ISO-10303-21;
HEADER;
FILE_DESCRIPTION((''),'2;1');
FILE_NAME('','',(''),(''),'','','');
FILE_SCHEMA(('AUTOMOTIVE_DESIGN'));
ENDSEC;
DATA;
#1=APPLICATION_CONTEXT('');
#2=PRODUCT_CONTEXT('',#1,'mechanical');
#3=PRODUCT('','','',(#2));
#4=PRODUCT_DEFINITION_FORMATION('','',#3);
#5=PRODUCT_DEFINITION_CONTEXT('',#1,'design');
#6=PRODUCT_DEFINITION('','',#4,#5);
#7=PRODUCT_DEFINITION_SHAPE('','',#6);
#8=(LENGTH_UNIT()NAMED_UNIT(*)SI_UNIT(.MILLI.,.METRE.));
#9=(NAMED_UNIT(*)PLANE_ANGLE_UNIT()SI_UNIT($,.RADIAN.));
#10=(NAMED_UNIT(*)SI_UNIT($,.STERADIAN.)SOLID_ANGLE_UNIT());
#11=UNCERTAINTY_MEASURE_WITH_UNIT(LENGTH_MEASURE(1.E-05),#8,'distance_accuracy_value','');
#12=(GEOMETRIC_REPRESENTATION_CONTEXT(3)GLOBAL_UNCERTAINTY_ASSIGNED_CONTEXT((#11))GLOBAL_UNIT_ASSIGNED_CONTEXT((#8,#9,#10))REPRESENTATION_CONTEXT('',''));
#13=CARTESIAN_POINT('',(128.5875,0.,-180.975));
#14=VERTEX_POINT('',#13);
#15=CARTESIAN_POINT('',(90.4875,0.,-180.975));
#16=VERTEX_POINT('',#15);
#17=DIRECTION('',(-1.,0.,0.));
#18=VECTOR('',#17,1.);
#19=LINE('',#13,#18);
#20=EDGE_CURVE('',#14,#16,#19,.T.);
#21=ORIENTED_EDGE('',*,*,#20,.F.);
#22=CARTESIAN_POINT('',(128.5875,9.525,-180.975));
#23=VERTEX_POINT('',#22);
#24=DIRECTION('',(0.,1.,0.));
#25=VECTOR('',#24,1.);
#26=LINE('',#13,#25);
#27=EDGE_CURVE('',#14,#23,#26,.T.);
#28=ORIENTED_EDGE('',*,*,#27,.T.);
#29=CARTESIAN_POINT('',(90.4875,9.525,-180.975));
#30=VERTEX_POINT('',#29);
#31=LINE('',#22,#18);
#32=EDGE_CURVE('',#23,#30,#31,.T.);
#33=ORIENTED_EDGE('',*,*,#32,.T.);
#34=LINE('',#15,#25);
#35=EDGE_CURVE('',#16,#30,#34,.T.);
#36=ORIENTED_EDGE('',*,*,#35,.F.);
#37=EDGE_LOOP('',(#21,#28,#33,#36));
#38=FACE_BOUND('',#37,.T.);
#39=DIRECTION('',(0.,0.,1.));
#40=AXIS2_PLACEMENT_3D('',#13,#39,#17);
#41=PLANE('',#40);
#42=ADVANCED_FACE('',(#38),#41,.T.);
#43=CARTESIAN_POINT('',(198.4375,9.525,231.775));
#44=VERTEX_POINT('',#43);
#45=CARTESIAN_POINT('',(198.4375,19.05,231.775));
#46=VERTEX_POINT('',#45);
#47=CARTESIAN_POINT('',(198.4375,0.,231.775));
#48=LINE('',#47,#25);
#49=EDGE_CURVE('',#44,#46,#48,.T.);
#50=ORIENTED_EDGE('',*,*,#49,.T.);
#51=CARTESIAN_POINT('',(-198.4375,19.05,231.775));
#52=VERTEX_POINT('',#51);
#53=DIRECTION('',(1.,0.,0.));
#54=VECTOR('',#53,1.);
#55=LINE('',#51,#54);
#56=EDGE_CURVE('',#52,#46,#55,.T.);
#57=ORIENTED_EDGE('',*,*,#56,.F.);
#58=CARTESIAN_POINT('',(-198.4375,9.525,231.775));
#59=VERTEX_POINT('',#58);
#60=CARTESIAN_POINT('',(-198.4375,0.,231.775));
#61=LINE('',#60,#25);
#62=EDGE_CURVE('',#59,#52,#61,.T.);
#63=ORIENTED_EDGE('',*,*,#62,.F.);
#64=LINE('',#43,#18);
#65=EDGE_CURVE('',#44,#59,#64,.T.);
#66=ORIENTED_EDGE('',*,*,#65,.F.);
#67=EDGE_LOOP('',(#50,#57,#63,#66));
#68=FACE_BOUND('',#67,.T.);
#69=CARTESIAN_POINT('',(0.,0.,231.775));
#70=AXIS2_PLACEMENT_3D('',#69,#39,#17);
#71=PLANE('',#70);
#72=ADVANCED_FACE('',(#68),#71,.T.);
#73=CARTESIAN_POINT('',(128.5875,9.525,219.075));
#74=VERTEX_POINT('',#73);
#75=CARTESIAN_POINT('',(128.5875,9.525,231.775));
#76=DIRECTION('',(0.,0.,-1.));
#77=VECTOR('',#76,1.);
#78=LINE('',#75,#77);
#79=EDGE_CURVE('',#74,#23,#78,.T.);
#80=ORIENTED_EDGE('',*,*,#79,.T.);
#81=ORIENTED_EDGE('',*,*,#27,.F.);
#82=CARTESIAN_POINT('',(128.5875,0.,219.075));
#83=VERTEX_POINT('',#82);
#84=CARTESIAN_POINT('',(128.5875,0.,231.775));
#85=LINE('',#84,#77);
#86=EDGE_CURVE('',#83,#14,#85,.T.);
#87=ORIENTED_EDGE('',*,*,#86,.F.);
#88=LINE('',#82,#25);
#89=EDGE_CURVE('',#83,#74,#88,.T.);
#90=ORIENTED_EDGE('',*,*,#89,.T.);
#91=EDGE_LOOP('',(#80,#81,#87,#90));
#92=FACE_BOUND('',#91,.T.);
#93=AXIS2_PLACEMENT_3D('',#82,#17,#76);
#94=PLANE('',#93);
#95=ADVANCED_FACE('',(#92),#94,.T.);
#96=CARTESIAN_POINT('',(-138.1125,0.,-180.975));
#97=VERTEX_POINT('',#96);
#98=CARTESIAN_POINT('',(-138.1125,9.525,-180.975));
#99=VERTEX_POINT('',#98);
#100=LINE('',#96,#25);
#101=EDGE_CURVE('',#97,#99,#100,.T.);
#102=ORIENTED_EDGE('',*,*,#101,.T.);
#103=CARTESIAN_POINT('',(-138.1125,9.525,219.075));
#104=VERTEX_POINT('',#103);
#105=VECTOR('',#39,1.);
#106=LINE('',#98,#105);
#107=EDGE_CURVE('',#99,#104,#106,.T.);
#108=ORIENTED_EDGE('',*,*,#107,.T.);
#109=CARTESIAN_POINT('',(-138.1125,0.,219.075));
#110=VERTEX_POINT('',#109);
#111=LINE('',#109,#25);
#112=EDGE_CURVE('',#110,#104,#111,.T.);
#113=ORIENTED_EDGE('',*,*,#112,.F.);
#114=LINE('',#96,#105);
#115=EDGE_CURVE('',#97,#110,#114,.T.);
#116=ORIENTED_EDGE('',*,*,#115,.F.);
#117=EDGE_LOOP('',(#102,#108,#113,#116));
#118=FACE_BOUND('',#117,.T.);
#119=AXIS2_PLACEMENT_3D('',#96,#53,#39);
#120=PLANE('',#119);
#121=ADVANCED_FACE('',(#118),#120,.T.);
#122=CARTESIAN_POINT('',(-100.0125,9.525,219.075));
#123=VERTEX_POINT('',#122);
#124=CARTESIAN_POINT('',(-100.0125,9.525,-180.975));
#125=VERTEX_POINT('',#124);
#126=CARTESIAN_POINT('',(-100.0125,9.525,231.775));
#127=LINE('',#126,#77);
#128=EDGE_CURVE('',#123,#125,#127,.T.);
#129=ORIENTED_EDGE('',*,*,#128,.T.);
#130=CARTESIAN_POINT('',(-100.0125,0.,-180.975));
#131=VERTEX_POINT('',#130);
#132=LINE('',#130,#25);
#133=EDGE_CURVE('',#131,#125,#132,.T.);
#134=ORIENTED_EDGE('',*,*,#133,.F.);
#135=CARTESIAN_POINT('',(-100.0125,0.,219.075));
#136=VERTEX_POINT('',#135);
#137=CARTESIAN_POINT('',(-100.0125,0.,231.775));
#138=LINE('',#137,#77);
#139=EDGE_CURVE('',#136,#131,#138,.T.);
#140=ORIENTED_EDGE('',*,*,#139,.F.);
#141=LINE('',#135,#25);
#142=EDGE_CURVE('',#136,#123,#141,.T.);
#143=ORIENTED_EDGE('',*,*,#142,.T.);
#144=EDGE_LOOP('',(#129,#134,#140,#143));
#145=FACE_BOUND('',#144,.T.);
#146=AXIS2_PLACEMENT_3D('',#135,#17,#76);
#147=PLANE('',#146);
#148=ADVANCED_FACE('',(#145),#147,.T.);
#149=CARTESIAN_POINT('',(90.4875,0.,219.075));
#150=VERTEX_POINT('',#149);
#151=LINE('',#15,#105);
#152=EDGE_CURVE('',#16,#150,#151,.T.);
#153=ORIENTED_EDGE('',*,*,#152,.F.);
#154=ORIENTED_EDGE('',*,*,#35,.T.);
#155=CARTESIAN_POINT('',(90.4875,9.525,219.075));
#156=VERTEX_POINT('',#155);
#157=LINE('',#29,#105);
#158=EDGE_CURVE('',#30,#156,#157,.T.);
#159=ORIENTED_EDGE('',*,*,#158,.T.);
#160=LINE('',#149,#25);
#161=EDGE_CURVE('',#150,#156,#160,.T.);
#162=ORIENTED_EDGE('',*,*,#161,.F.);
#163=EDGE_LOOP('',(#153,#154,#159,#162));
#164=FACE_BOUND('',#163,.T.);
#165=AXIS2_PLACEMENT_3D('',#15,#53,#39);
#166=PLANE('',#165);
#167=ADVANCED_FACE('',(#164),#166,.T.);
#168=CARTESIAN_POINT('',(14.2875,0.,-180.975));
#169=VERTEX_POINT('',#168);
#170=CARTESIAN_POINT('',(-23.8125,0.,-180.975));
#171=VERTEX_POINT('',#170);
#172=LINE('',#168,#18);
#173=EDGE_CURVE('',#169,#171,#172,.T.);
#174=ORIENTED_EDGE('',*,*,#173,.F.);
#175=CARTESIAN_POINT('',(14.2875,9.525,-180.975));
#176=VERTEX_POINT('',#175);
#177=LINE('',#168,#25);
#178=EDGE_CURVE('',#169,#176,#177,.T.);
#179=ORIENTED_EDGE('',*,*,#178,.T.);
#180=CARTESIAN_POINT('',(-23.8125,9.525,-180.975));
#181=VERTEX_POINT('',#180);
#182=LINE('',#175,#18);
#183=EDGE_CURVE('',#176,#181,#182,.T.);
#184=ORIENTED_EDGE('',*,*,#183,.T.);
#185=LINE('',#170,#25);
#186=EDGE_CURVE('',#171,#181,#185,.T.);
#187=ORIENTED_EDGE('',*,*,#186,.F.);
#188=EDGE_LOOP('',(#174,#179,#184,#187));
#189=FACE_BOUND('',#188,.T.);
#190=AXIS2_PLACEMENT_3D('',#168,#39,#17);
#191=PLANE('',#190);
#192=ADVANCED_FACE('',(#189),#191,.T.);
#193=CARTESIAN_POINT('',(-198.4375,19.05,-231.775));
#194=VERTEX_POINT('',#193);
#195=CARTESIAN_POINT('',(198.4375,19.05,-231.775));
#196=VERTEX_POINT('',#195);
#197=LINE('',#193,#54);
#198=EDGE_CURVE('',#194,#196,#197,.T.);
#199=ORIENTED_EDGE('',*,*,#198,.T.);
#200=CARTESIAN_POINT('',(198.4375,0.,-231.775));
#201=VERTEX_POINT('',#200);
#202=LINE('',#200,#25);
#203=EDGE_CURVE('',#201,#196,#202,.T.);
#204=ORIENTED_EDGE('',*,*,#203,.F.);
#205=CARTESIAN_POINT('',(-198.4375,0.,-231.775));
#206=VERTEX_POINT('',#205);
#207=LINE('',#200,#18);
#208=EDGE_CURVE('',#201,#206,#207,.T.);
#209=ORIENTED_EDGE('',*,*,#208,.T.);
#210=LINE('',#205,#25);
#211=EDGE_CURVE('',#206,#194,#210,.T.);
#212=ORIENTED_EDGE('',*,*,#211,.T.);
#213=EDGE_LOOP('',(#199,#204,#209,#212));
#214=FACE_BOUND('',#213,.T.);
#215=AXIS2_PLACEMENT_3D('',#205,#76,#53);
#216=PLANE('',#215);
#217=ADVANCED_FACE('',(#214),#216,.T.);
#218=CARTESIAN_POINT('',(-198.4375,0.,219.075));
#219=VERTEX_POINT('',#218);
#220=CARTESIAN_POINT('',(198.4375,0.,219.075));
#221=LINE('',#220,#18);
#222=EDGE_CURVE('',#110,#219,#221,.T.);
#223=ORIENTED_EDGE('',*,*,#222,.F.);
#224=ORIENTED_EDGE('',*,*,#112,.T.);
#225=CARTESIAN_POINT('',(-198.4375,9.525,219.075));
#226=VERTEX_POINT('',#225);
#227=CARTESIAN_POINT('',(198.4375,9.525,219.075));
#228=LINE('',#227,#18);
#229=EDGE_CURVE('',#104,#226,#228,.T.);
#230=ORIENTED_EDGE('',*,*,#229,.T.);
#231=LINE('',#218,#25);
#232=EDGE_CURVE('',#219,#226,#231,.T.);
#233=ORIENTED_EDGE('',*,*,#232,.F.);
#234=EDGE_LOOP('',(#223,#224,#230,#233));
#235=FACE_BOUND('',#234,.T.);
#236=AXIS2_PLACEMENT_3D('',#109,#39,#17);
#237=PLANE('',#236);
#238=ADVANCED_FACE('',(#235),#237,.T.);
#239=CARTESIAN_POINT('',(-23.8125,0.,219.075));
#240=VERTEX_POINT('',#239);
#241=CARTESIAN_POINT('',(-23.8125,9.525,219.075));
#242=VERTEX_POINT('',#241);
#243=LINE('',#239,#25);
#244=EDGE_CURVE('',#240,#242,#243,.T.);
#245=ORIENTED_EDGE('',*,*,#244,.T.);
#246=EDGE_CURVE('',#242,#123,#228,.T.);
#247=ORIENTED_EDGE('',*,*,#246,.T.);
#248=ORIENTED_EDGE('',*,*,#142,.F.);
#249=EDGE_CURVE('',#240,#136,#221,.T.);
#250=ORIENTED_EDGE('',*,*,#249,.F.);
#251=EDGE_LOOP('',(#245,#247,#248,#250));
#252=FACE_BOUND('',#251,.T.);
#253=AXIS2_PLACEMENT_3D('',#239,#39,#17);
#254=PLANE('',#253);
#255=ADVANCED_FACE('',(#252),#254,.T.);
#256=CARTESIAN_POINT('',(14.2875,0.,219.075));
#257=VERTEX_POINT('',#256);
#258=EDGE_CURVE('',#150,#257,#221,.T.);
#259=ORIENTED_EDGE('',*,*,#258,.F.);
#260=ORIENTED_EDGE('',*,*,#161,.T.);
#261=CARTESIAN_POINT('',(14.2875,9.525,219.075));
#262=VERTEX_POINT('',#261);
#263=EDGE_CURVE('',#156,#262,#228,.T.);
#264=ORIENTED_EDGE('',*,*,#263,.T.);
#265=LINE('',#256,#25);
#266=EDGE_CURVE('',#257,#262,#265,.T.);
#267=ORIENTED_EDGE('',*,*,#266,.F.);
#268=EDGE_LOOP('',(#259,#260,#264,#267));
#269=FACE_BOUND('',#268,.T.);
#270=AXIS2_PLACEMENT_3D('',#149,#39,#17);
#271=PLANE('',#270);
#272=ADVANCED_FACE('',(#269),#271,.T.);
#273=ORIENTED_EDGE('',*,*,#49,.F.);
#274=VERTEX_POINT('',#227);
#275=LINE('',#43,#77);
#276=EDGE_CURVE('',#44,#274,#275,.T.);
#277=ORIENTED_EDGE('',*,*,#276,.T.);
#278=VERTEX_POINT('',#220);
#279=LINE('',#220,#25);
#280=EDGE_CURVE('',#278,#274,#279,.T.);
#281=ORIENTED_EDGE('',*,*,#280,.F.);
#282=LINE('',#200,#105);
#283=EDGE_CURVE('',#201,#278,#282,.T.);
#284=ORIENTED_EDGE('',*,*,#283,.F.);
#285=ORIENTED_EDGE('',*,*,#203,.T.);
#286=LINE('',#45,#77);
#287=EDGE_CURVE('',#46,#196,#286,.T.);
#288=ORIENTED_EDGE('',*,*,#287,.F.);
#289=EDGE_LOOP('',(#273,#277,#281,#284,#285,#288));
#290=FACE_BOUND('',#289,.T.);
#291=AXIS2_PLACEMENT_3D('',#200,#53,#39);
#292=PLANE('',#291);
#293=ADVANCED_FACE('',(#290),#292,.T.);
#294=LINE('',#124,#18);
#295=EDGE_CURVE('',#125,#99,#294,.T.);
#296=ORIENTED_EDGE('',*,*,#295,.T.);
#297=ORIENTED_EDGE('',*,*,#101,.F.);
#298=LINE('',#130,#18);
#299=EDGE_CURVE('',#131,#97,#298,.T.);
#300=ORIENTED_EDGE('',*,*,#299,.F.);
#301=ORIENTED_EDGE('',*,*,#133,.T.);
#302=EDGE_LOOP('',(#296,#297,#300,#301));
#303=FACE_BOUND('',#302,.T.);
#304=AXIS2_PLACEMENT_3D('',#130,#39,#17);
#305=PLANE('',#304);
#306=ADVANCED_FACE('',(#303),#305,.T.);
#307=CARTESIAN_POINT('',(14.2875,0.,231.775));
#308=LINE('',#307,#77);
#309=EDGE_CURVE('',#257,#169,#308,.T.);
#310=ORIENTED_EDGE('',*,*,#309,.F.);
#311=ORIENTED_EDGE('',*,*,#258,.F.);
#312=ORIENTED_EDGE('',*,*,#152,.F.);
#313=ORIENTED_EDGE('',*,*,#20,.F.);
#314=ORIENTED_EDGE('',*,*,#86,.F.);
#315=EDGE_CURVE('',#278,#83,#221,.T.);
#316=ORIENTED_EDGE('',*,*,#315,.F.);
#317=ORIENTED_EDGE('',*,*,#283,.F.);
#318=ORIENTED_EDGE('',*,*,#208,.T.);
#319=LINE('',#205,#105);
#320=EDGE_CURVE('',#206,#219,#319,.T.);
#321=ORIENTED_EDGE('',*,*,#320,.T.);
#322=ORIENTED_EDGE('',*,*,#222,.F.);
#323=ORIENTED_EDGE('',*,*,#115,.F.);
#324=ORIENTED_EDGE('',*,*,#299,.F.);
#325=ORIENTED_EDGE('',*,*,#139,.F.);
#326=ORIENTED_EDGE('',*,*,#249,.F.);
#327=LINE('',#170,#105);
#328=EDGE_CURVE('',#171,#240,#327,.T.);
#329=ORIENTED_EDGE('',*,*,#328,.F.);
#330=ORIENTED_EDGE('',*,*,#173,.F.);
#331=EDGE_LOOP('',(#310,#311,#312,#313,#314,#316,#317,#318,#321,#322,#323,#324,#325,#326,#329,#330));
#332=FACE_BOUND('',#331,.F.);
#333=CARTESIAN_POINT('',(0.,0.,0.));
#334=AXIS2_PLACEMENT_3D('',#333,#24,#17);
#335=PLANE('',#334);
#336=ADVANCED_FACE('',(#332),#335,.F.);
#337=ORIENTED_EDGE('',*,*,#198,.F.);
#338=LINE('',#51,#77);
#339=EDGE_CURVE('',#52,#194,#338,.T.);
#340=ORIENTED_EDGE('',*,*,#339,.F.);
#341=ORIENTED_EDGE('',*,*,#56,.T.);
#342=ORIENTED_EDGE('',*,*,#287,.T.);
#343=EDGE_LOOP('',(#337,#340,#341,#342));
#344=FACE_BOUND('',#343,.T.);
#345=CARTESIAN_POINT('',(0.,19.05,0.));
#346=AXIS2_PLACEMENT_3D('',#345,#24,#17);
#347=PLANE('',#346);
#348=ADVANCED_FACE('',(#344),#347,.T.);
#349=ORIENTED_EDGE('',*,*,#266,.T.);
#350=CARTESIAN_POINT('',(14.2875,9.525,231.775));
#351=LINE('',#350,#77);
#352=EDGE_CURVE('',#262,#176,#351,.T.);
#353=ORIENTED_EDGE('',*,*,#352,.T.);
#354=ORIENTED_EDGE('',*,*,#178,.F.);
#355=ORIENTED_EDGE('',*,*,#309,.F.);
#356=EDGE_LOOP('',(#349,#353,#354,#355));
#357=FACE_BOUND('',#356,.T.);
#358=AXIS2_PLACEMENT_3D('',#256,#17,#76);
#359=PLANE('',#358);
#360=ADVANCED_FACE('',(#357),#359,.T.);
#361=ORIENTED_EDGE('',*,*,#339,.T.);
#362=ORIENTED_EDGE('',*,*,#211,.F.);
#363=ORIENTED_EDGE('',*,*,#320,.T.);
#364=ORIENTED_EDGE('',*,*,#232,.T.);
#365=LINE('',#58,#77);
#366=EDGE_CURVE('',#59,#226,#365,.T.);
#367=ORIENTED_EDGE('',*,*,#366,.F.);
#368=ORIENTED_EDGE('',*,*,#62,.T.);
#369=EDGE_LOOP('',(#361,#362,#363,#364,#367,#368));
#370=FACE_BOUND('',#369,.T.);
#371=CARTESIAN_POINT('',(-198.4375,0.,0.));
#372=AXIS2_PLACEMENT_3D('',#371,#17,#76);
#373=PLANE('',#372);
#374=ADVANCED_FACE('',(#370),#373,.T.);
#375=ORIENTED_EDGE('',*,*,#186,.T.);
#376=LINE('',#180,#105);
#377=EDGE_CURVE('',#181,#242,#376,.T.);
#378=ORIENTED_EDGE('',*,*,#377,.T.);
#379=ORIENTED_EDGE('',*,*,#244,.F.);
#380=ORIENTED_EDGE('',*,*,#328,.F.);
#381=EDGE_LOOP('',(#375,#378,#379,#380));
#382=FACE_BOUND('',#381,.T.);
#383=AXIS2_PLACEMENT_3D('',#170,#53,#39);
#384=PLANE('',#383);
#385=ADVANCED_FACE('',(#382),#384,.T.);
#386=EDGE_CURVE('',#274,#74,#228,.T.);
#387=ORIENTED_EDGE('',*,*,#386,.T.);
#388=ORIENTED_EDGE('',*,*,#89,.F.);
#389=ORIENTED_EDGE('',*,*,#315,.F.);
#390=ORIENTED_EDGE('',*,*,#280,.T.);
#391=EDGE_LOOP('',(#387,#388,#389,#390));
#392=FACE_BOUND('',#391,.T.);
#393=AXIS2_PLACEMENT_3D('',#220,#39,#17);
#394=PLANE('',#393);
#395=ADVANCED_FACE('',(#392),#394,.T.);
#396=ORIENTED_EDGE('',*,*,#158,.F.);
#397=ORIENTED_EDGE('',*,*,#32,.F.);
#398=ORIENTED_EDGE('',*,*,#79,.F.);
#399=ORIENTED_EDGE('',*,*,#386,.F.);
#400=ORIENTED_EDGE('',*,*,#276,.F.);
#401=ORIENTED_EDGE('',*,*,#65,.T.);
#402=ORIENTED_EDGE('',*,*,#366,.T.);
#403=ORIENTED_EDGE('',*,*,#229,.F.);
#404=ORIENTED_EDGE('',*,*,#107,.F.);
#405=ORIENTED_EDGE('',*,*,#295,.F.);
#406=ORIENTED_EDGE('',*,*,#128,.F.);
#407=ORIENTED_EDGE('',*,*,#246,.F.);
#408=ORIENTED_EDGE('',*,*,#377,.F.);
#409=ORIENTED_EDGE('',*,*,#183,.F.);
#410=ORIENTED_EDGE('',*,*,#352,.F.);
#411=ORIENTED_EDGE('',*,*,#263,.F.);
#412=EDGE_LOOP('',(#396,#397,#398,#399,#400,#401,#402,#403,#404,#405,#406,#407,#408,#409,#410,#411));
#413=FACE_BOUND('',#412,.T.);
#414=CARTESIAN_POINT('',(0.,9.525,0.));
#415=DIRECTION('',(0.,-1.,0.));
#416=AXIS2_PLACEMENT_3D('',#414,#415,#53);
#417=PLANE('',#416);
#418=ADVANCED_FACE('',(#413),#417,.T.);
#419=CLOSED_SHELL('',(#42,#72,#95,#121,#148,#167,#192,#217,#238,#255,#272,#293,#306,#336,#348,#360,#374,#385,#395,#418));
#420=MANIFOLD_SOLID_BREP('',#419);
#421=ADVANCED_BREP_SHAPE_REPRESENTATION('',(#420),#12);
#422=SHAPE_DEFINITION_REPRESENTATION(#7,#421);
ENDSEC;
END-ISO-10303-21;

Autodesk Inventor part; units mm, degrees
ref_plane "YZ Plane" through (0, 0, 0) normal (1, 0, 0) x (0, 1, 0)
ref_plane "XZ Plane" through (0, 0, 0) normal (0, 1, 0) x (-1, 0, 0)
ref_plane "XY Plane" through (0, 0, 0) normal (0, 0, 1) x (1, 0, 0)
sketch "Sketch1" plane through (0, 0, 0) normal (0, 1, 0) x (-1, 0, 0)
  line L0 (198.4375, -231.775) -> (-198.4375, -231.775)
  line L1 (-198.4375, -231.775) -> (-198.4375, 231.775)
  line L2 (-198.4375, 231.775) -> (198.4375, 231.775)
  line L3 (198.4375, 231.775) -> (198.4375, -231.775)
  line L4 (0, -324.485) -> (0, 324.485) projected
  line L5 (277.8125, 0) -> (-277.8125, 0) projected
  point P0 (0, 0)
  dimension "d0" = 396.875
  dimension "d1" = 463.55
  dimension "d4" = 198.4375
  dimension "d8" = 231.775
extrude "Shelf Board" add sketch "Sketch1" along normal blind 19.05
sketch "Sketch3" plane through (0, 0, 0) normal (0, -1, 0) x (1, 0, 0)
  line L0 (-198.4375, 231.775) -> (198.4375, 231.775) projected
  line L1 (-138.1125, 231.775) -> (-100.0125, 231.775)
  line L2 (-100.0125, 231.775) -> (-100.0125, -180.975)
  line L3 (-100.0125, -180.975) -> (-138.1125, -180.975)
  line L4 (-138.1125, -180.975) -> (-138.1125, 231.775)
  line L5 (-198.4375, -231.775) -> (198.4375, -231.775) projected
  line L6 (-198.4375, 231.775) -> (-198.4375, -231.775) projected
  line L7 (-23.8125, 231.775) -> (14.2875, 231.775)
  line L8 (14.2875, 231.775) -> (14.2875, -180.975)
  line L9 (14.2875, -180.975) -> (-23.8125, -180.975)
  line L10 (-23.8125, -180.975) -> (-23.8125, 231.775)
  line L11 (198.4375, 231.775) -> (-198.4375, 231.775) projected
  line L12 (90.4875, 231.775) -> (128.5875, 231.775)
  line L13 (128.5875, 231.775) -> (128.5875, -180.975)
  line L14 (128.5875, -180.975) -> (90.4875, -180.975)
  line L15 (90.4875, -180.975) -> (90.4875, 231.775)
  line L16 (198.4375, 231.775) -> (198.4375, -231.775) projected
  line L17 (-198.4375, 231.775) -> (198.4375, 231.775)
  line L18 (198.4375, 231.775) -> (198.4375, 219.075)
  line L19 (198.4375, 219.075) -> (-198.4375, 219.075)
  line L20 (-198.4375, 219.075) -> (-198.4375, 231.775)
  point P0 (0, 0)
  dimension "d11" = 50.8
  dimension "d12" = 38.1
  dimension "d13" = 60.325
  dimension "d20" = 12.7
  dimension "d22" = 396.875
  dimension "d25" = 76.2
  dimension "d26" = 76.2
  dimension "d27" = 69.85
extrude "Light Stop Dados" cut sketch "Sketch3" against normal blind 9.525 contours L0 L4 L19 L6 | L0 L2 L19 L4 | L0 L10 L19 L2 | L19 L2 L3 L4 | L0 L8 L19 L10 | L0 L15 L19 L8 | L19 L8 L9 L10 | L19 L13 L0 L16 | L0 L13 L19 L15 | L13 L14 L15 L19
equation "\"d4\" = 0.5 * d0"
equation "\"d8\" = 0.5 * d1"
properties part number "Horizontal Shelf"
